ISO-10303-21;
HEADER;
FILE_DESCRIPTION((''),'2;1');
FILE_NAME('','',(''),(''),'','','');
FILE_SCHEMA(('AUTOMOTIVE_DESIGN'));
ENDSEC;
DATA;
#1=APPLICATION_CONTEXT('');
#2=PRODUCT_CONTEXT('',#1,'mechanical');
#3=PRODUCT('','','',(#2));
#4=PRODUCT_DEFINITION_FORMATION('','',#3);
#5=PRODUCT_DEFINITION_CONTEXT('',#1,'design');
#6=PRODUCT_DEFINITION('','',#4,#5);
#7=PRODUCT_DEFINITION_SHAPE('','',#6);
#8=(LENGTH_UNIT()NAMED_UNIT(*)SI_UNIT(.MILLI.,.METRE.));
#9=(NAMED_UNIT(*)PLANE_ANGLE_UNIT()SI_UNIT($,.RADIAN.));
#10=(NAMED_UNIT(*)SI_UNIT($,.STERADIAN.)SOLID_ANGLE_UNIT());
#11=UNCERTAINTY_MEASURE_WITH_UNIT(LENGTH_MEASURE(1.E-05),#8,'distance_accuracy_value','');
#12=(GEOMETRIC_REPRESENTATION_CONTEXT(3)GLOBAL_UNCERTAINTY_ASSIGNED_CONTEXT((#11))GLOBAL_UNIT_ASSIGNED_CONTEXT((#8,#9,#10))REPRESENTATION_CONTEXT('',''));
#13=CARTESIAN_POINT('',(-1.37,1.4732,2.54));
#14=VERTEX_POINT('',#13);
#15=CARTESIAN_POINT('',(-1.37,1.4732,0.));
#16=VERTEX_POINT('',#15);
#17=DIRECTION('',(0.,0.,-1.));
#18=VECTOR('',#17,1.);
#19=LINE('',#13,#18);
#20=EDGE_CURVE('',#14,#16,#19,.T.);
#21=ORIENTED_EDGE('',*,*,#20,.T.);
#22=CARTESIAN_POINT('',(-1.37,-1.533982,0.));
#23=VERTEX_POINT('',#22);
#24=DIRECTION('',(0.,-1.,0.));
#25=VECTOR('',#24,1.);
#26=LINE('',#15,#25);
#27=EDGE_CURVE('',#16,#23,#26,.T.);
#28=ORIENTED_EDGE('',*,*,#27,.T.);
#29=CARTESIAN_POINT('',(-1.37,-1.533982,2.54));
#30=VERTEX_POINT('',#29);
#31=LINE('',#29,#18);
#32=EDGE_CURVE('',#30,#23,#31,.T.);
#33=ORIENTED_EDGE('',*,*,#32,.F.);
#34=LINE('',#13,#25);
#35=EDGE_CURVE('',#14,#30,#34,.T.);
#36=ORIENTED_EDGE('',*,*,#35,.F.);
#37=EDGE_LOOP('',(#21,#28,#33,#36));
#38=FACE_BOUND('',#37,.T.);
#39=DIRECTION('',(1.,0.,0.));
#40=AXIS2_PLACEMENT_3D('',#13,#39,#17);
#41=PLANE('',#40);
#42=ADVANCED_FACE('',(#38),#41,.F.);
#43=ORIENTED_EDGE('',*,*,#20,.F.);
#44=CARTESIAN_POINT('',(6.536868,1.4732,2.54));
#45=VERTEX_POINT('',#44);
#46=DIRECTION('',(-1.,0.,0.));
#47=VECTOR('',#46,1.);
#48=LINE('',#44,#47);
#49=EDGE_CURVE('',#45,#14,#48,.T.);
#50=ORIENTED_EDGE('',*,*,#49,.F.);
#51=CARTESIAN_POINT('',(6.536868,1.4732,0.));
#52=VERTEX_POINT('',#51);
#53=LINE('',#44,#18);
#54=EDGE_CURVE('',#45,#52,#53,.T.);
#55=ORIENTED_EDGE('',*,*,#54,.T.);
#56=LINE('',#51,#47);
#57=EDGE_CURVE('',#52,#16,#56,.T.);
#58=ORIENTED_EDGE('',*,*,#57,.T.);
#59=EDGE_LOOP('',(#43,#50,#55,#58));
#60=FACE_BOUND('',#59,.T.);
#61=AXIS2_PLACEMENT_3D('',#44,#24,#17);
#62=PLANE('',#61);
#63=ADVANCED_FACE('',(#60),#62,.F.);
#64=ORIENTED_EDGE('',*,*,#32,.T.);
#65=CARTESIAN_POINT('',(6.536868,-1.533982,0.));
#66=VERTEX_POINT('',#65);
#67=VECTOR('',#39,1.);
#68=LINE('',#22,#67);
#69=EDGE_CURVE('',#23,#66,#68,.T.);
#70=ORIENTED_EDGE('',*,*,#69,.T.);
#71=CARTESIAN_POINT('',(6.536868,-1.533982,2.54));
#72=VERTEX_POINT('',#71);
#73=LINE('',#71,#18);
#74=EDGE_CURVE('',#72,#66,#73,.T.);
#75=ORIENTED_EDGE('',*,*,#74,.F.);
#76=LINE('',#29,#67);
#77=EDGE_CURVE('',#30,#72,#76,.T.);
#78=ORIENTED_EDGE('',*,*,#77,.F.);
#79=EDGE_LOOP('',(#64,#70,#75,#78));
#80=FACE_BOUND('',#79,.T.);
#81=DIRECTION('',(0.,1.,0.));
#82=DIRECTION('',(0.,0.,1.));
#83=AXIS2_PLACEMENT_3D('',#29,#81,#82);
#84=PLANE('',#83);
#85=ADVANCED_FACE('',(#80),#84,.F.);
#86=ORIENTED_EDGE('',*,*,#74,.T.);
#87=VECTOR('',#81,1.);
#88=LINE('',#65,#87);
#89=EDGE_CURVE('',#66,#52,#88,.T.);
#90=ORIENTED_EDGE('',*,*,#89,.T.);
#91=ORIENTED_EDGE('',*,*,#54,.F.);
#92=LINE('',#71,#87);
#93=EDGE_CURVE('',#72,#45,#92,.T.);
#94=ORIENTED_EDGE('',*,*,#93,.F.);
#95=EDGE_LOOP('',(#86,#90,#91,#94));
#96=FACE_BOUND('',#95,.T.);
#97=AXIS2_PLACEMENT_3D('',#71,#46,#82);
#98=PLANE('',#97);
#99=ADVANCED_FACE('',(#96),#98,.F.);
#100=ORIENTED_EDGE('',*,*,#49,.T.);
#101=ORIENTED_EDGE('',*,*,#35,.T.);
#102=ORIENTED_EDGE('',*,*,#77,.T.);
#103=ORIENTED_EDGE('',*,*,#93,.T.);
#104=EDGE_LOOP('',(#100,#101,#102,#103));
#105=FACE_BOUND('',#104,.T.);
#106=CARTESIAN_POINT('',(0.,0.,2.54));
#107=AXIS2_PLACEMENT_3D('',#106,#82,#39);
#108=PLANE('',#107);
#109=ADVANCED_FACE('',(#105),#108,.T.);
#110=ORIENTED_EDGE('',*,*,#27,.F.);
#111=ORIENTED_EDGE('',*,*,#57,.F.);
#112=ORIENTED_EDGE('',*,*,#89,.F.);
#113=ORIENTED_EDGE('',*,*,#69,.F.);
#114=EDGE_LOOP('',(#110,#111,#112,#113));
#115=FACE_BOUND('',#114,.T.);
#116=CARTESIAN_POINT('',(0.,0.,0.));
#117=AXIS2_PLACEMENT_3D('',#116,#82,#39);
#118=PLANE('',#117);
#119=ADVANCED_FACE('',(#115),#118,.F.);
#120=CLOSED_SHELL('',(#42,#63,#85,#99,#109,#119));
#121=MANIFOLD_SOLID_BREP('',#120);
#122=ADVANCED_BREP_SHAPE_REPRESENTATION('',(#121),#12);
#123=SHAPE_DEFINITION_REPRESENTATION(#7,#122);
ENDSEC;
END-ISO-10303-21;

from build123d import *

# Parameters (mm, degrees)
SKETCH1_W               = 7.9068676
SKETCH1_H               = 3.0071822
COMPONENT_OUTLINE_DEPTH = 2.54


with BuildPart() as part:
    # Sketch1 → Component_Outline (new body)
    with BuildSketch(Plane.XY):
        with Locations((2.583434, -0.0303911)):
            Rectangle(SKETCH1_W, SKETCH1_H)
    extrude(amount=COMPONENT_OUTLINE_DEPTH)


solid = part.part
